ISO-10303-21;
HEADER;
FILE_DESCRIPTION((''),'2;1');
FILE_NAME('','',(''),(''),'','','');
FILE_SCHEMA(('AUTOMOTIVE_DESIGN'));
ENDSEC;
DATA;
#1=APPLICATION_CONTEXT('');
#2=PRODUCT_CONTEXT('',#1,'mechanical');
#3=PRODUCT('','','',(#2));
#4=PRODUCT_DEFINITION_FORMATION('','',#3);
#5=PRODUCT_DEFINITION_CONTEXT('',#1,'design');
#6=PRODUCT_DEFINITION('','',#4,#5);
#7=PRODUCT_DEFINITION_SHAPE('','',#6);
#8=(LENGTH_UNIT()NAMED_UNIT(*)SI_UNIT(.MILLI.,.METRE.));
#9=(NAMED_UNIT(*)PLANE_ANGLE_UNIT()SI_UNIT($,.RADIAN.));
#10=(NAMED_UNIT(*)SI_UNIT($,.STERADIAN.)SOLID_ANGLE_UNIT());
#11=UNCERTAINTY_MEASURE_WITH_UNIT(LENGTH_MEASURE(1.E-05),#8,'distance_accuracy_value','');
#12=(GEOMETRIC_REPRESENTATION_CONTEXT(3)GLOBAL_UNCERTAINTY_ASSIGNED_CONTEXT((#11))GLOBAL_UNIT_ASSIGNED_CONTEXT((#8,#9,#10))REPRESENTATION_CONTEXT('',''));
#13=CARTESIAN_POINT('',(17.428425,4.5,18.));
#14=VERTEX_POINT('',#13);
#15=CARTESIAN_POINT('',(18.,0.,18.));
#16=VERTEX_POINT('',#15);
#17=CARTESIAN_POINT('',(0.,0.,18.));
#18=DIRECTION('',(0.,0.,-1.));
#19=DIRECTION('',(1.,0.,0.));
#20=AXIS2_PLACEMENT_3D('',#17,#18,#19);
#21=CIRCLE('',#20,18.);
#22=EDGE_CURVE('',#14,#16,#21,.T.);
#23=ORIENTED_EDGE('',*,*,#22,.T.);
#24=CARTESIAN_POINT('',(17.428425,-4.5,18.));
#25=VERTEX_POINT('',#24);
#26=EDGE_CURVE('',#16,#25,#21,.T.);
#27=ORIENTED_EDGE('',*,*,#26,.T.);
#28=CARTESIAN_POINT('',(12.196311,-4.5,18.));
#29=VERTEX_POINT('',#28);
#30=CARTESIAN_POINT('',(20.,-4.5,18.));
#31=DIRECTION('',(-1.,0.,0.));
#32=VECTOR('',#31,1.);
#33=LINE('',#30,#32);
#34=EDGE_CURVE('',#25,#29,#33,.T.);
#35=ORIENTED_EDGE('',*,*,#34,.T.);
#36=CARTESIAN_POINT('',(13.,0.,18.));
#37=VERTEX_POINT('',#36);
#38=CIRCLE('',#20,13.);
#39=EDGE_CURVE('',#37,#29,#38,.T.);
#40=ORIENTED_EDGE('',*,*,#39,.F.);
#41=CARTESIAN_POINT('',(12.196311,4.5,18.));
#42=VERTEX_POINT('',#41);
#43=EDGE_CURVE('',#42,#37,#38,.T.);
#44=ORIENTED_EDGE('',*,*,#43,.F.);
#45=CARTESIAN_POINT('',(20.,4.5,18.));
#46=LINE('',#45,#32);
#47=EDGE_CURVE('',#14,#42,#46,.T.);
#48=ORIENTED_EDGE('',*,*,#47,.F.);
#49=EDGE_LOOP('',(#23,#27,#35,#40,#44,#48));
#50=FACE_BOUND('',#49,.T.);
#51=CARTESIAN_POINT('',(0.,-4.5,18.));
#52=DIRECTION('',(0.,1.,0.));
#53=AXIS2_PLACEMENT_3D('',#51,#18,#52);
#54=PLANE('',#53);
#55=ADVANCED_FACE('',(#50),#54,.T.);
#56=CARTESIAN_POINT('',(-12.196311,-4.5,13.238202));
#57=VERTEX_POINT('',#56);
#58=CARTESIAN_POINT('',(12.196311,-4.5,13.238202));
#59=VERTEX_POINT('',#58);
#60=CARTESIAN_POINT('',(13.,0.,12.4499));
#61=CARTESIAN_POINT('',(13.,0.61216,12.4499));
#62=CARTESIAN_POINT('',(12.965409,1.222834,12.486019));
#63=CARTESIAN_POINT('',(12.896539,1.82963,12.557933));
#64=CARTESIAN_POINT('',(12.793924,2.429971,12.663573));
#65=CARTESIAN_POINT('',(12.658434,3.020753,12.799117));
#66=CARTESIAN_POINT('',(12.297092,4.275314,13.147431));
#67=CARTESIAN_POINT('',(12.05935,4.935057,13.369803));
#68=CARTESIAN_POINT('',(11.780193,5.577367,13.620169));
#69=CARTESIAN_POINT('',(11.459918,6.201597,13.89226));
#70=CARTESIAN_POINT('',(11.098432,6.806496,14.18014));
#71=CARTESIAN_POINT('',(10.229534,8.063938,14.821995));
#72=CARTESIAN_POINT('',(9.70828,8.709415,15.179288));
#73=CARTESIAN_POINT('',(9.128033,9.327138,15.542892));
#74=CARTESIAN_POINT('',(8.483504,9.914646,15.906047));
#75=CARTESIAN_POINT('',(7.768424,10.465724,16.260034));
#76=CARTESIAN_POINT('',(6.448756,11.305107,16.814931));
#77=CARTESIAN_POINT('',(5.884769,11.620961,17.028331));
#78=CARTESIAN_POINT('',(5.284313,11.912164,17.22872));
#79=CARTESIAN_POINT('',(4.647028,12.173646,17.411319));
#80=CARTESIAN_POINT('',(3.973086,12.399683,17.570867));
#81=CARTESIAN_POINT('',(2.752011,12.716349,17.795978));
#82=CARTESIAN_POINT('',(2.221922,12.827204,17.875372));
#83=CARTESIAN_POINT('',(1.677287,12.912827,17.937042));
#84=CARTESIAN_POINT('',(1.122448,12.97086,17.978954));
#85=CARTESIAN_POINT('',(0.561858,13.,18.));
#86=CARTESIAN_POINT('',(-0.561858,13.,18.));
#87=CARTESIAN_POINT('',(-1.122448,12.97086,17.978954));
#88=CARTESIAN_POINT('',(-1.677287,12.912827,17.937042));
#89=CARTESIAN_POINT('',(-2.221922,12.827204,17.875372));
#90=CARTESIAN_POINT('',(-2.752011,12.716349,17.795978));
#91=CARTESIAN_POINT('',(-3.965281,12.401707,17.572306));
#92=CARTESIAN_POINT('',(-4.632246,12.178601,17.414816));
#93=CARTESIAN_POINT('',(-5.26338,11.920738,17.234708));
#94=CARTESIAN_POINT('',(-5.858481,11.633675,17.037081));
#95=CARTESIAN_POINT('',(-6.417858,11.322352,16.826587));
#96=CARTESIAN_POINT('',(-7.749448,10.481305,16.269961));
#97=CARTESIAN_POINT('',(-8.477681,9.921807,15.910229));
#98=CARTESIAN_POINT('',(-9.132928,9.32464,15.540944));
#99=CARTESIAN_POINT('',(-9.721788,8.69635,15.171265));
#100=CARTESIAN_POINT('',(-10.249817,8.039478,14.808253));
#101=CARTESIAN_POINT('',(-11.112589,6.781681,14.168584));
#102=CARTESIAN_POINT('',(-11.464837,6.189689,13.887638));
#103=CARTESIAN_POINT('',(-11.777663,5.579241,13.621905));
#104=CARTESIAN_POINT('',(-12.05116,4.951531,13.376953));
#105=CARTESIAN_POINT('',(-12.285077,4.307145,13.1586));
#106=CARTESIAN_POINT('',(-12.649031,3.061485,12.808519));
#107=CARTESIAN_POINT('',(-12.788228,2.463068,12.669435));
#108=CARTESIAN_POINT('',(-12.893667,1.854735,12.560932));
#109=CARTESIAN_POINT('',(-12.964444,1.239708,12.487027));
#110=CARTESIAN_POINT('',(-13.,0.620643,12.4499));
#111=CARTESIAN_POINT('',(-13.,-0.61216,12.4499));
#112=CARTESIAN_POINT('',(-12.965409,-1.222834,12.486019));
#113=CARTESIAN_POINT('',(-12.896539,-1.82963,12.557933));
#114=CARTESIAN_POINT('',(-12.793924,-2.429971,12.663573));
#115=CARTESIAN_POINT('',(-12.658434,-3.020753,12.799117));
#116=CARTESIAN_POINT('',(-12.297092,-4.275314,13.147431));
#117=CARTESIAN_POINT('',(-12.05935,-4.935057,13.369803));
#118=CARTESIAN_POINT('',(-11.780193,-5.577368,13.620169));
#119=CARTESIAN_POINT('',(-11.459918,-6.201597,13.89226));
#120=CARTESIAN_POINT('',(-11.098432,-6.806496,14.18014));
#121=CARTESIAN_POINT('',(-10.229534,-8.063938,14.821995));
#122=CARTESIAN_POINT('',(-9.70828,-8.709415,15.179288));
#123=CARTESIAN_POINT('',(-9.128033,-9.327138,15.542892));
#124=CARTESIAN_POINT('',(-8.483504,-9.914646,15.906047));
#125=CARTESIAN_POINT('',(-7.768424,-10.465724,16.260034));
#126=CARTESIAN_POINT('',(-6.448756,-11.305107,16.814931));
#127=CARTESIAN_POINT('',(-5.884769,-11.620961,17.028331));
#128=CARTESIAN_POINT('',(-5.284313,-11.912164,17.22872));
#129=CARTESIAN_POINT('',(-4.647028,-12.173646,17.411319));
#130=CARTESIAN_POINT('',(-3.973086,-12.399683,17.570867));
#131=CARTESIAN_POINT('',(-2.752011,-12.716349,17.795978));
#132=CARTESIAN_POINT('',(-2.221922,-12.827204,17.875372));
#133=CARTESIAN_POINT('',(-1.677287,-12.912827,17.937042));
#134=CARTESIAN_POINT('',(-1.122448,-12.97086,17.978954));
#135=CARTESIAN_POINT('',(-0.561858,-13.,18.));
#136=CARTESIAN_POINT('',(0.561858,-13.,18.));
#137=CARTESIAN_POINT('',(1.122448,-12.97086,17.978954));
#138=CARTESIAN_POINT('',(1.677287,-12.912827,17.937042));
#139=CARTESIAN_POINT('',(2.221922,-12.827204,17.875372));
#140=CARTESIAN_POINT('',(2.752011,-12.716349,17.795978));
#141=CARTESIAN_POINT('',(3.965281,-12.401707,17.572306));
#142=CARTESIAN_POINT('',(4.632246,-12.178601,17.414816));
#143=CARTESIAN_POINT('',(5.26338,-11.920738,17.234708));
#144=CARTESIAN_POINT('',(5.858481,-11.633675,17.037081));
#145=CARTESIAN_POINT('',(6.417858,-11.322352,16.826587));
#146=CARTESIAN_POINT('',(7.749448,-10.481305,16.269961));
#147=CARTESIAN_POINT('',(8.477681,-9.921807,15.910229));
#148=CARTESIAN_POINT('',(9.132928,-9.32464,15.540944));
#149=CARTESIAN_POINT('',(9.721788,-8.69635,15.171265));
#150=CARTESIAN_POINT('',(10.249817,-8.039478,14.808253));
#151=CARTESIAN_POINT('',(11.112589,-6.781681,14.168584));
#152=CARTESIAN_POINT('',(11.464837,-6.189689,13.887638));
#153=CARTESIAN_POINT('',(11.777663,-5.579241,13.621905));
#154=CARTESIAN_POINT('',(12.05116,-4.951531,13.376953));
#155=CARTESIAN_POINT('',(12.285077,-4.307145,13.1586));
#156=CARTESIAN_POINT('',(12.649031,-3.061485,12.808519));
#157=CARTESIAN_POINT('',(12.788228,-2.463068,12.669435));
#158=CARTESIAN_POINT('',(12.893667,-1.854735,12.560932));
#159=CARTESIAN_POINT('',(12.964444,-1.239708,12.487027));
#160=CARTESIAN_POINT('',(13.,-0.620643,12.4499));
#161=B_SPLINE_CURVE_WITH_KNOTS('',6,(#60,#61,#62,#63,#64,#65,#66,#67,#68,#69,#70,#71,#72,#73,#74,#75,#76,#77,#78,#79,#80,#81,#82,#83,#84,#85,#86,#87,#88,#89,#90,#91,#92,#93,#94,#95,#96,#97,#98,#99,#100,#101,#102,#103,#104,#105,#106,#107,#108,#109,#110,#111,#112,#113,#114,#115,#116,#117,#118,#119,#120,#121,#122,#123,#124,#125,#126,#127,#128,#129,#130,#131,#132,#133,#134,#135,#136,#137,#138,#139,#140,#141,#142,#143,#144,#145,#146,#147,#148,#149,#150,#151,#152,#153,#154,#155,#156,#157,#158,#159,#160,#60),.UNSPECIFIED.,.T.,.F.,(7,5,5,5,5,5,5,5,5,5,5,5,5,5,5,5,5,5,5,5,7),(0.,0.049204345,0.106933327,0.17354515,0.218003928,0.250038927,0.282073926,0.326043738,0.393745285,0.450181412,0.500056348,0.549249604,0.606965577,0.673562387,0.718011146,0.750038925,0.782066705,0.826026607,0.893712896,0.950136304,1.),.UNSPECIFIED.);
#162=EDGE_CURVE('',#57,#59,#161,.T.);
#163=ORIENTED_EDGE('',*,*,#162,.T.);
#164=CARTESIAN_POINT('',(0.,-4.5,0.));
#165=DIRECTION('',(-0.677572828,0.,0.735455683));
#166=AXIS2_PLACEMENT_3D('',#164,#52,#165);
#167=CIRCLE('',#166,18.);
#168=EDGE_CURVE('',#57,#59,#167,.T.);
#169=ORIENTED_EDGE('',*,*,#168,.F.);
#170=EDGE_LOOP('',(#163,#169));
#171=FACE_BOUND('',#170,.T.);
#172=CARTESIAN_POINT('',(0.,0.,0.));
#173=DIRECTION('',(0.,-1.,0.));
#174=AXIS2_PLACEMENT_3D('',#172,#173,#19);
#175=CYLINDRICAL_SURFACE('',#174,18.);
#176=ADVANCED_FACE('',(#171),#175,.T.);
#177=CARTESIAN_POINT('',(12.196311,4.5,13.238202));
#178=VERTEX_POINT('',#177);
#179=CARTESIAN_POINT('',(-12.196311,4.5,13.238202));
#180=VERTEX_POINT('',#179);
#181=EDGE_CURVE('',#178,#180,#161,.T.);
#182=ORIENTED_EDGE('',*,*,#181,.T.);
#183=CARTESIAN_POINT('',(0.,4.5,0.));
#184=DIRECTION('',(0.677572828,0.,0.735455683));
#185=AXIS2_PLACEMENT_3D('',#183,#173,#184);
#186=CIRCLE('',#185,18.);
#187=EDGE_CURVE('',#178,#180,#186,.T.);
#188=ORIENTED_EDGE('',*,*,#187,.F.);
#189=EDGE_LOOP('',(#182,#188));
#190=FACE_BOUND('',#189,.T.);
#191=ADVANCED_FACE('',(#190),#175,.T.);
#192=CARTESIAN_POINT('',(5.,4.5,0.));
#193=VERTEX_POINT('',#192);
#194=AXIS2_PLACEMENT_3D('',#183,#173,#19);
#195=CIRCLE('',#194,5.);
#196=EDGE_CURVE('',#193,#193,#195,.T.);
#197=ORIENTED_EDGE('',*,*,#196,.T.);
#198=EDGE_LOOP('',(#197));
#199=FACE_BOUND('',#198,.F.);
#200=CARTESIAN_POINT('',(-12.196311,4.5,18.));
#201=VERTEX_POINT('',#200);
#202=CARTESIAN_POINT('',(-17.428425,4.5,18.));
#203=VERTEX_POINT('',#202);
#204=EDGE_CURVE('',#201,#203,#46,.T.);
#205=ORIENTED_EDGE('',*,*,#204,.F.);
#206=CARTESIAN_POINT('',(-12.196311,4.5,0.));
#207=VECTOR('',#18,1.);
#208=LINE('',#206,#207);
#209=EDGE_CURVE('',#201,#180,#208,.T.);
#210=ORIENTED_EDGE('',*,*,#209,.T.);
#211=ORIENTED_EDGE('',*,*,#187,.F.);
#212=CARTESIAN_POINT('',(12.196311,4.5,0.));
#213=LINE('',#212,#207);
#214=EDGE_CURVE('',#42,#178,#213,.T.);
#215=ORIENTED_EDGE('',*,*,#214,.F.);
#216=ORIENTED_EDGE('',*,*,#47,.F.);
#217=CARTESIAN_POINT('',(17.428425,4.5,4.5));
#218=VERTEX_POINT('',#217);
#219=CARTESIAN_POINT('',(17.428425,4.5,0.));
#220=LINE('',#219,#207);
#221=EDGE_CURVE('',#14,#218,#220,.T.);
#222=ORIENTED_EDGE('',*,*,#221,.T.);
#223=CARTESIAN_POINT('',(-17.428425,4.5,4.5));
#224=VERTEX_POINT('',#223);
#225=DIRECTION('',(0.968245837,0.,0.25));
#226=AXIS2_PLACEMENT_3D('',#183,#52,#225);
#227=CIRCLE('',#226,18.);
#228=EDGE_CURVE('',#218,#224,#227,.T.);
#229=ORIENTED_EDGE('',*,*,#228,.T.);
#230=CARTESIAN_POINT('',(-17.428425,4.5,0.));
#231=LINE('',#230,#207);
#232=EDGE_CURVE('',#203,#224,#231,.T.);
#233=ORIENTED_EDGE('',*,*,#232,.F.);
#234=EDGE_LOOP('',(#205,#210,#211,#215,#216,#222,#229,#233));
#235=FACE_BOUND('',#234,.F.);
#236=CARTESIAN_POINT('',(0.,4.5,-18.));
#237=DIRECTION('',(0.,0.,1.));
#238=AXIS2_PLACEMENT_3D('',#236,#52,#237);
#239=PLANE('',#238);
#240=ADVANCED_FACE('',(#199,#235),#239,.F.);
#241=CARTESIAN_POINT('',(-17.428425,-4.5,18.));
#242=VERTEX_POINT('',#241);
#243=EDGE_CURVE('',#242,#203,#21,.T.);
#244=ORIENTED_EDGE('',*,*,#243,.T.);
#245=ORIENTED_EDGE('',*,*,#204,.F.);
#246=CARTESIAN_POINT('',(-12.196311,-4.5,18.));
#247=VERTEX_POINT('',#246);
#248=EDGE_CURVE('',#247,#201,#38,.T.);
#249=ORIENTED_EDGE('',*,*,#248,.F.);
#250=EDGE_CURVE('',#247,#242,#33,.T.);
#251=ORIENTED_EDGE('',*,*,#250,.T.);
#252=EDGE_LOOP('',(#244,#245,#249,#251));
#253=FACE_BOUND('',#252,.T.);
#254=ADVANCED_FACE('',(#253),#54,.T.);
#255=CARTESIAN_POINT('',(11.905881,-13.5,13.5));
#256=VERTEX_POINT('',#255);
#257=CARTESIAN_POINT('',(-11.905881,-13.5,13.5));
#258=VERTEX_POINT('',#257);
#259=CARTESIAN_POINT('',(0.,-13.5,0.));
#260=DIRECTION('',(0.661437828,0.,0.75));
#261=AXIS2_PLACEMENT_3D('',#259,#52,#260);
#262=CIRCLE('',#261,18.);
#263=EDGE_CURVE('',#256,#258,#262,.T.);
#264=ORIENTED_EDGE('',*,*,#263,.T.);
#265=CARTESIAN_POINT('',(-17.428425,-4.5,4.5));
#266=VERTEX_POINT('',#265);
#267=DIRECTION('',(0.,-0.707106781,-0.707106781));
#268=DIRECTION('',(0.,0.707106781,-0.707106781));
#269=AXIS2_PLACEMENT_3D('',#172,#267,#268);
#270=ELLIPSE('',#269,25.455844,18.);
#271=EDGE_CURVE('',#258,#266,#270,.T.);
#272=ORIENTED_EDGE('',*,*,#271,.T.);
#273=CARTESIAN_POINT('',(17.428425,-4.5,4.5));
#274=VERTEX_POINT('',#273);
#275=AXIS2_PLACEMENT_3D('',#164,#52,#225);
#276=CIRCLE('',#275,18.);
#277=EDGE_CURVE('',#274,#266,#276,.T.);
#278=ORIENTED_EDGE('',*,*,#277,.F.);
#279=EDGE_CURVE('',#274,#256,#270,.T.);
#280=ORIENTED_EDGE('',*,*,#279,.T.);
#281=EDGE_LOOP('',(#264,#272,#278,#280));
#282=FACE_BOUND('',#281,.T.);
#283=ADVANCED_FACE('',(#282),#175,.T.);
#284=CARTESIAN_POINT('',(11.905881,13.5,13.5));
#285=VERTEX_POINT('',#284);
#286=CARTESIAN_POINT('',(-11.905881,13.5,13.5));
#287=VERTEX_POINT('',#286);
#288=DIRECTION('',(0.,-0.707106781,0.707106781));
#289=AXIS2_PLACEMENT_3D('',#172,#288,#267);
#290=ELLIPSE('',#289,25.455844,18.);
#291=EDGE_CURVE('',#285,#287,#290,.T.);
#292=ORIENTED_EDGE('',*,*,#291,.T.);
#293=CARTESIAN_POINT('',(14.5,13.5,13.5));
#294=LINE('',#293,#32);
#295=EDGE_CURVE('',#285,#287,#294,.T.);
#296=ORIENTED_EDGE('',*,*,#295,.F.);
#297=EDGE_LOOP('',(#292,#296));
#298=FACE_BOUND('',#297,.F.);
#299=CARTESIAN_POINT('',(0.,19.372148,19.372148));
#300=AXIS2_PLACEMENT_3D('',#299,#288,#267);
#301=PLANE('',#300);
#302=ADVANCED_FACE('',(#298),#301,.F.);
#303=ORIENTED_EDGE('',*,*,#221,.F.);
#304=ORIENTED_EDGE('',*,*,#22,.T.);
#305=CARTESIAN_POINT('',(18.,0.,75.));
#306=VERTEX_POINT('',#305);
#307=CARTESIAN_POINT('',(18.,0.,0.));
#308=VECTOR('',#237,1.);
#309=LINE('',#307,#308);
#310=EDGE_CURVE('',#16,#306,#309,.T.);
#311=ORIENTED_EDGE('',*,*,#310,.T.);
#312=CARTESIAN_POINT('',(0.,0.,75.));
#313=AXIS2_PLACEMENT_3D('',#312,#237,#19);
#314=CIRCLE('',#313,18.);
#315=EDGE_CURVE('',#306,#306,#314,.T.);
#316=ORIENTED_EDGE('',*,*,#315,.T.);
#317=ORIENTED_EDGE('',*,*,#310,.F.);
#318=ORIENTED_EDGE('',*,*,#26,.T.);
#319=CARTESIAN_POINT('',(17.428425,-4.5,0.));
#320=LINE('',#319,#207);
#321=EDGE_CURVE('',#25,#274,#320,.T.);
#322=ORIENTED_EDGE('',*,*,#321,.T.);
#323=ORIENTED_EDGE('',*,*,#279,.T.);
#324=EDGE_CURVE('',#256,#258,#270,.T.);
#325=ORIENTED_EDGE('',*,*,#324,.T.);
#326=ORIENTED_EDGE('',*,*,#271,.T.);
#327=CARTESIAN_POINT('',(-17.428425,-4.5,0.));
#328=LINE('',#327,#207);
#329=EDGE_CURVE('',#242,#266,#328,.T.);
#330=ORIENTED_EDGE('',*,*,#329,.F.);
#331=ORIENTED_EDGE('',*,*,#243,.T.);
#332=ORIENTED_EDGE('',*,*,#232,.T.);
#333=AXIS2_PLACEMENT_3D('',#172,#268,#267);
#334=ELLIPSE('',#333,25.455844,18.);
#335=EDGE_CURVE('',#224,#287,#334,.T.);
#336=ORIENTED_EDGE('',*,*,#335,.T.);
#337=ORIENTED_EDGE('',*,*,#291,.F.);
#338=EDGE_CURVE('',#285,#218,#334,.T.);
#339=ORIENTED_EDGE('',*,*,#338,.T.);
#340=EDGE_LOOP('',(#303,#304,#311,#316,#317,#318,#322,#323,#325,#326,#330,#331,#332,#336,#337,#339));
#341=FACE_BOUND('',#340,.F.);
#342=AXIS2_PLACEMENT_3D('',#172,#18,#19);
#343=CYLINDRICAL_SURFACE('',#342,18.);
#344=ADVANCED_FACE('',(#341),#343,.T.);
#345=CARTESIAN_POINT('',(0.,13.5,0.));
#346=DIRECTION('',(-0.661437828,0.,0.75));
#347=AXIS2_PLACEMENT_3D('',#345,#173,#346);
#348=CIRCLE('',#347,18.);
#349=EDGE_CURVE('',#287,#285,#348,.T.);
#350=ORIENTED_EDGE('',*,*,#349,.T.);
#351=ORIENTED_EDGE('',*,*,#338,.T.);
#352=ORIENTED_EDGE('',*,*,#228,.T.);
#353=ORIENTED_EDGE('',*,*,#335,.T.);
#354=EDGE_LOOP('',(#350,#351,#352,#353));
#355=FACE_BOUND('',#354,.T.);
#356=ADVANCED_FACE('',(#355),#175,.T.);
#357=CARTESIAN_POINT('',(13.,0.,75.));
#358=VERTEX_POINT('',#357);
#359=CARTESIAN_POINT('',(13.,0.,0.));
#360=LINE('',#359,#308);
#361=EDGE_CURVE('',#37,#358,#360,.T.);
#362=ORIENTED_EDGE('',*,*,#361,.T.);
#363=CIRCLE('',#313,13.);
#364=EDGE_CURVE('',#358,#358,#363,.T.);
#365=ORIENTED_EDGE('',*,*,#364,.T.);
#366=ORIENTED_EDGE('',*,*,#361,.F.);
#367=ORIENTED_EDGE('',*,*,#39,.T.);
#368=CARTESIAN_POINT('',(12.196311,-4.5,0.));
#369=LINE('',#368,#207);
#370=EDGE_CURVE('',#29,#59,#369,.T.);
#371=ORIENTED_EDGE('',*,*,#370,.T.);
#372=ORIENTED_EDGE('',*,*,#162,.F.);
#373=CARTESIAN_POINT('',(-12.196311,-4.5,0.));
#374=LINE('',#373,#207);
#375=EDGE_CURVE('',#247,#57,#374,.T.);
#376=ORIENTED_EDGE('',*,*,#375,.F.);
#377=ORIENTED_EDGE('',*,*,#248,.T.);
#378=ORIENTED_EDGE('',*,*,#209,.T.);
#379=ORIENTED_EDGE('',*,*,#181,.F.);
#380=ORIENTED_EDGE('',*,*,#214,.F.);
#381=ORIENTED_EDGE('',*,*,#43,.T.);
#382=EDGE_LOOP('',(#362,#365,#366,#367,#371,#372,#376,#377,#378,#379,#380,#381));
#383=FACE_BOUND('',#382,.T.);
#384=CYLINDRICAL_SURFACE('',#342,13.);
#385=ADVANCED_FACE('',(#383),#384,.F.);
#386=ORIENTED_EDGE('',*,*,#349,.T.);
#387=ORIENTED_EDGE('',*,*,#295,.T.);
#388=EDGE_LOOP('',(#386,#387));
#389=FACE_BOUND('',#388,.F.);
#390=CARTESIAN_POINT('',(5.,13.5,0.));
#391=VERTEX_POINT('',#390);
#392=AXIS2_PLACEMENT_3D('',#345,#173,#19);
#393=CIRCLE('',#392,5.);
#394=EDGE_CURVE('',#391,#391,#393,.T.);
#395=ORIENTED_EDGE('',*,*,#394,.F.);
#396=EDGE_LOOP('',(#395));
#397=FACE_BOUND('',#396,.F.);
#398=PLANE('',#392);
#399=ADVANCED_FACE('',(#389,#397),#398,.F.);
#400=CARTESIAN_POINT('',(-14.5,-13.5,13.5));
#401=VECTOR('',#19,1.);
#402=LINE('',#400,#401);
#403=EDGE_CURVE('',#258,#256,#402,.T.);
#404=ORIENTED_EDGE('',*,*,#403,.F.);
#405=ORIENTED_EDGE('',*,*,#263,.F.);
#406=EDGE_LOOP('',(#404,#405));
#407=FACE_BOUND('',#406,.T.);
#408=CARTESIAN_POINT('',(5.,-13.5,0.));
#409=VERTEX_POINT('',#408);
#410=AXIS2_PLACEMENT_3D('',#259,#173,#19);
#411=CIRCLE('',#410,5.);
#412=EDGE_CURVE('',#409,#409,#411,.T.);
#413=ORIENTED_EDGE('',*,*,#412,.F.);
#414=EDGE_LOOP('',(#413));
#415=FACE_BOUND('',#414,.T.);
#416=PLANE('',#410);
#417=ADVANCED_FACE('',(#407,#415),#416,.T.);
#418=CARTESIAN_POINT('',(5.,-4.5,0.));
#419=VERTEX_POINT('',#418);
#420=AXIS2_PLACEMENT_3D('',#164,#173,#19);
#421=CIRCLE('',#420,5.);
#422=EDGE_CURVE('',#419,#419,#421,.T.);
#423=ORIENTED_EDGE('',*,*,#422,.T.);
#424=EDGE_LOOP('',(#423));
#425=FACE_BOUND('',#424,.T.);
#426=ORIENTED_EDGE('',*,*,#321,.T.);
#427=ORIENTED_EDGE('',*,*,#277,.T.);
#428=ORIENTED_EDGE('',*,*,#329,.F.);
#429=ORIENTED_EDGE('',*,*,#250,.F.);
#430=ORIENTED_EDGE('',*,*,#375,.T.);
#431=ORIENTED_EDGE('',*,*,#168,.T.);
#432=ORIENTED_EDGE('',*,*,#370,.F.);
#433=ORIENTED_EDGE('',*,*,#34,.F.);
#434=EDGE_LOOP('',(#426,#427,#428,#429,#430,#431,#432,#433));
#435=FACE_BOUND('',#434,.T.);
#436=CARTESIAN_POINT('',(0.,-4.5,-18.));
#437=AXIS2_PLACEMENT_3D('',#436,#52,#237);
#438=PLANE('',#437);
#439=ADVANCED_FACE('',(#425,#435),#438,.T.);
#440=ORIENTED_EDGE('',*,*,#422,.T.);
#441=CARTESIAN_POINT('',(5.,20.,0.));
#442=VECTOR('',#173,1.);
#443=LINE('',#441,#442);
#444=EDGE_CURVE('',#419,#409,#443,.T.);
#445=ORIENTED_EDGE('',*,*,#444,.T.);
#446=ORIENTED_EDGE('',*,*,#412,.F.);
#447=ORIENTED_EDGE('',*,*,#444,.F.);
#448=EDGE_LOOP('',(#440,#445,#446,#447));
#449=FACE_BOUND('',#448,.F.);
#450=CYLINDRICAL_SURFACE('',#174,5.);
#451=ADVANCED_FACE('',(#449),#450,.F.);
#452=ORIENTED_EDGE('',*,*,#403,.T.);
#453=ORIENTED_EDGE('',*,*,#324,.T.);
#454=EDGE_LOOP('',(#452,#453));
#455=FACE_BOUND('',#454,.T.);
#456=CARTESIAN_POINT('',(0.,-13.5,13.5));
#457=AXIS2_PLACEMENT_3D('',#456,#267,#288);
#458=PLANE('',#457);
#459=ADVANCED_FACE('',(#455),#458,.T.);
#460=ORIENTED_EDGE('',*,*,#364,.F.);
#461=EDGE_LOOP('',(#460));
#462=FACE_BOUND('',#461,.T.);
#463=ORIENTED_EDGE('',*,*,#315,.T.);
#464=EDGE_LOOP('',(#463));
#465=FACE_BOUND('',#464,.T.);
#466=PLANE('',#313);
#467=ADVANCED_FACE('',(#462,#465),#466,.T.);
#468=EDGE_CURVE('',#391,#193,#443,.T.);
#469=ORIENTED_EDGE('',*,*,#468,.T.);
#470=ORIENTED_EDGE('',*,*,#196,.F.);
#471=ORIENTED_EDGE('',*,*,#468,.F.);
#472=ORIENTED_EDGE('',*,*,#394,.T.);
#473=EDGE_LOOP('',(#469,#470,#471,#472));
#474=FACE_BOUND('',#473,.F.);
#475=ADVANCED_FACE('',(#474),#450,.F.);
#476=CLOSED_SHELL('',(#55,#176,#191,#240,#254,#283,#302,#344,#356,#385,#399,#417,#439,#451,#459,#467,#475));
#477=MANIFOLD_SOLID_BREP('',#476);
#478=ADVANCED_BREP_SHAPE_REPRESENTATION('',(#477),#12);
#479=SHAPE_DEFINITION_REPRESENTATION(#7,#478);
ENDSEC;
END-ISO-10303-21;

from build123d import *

# Parameters (mm, degrees)
F0_R     = 18
F0_R_2   = 13
F1_DEPTH = 75
F2_R     = 18
F3_DEPTH = 13.5
F4_W     = 9
F4_H     = 36
F5_DEPTH = 20
F6_R     = 5
F7_DEPTH = 20
F9_DEPTH = 14.5


with BuildPart() as f1:
    # F0 (on Top) → F1 (new body)
    with BuildSketch(Plane.XY):
        Circle(F0_R)
        Circle(F0_R_2, mode=Mode.SUBTRACT)
    extrude(amount=F1_DEPTH)

    # F2 (on Front) → F3 (join, symmetric)
    with BuildSketch(Plane.XZ):
        Circle(F2_R)
    extrude(amount=F3_DEPTH, both=True)

    # F4 (on Right) → F5 (cut, symmetric)
    with BuildSketch(Plane.YZ):
        Rectangle(F4_W, F4_H)
    extrude(amount=F5_DEPTH, both=True, mode=Mode.SUBTRACT)

    # F6 (on Front) → F7 (cut, symmetric)
    with BuildSketch(Plane.XZ):
        Circle(F6_R)
    extrude(amount=F7_DEPTH, both=True, mode=Mode.SUBTRACT)

    # F8 (on Right) → F9 (cut, symmetric)
    with BuildSketch(Plane.YZ):
        Polygon((-19.372148, 0), (-13.5, 0), (-13.5, 13.5), (-19.372148, 19.372148), align=None)
        Polygon((13.5, 13.5), (13.5, 0), (19.372148, 0), (19.372148, 19.372148), align=None)
    extrude(amount=F9_DEPTH, both=True, mode=Mode.SUBTRACT)


solid = f1.part
